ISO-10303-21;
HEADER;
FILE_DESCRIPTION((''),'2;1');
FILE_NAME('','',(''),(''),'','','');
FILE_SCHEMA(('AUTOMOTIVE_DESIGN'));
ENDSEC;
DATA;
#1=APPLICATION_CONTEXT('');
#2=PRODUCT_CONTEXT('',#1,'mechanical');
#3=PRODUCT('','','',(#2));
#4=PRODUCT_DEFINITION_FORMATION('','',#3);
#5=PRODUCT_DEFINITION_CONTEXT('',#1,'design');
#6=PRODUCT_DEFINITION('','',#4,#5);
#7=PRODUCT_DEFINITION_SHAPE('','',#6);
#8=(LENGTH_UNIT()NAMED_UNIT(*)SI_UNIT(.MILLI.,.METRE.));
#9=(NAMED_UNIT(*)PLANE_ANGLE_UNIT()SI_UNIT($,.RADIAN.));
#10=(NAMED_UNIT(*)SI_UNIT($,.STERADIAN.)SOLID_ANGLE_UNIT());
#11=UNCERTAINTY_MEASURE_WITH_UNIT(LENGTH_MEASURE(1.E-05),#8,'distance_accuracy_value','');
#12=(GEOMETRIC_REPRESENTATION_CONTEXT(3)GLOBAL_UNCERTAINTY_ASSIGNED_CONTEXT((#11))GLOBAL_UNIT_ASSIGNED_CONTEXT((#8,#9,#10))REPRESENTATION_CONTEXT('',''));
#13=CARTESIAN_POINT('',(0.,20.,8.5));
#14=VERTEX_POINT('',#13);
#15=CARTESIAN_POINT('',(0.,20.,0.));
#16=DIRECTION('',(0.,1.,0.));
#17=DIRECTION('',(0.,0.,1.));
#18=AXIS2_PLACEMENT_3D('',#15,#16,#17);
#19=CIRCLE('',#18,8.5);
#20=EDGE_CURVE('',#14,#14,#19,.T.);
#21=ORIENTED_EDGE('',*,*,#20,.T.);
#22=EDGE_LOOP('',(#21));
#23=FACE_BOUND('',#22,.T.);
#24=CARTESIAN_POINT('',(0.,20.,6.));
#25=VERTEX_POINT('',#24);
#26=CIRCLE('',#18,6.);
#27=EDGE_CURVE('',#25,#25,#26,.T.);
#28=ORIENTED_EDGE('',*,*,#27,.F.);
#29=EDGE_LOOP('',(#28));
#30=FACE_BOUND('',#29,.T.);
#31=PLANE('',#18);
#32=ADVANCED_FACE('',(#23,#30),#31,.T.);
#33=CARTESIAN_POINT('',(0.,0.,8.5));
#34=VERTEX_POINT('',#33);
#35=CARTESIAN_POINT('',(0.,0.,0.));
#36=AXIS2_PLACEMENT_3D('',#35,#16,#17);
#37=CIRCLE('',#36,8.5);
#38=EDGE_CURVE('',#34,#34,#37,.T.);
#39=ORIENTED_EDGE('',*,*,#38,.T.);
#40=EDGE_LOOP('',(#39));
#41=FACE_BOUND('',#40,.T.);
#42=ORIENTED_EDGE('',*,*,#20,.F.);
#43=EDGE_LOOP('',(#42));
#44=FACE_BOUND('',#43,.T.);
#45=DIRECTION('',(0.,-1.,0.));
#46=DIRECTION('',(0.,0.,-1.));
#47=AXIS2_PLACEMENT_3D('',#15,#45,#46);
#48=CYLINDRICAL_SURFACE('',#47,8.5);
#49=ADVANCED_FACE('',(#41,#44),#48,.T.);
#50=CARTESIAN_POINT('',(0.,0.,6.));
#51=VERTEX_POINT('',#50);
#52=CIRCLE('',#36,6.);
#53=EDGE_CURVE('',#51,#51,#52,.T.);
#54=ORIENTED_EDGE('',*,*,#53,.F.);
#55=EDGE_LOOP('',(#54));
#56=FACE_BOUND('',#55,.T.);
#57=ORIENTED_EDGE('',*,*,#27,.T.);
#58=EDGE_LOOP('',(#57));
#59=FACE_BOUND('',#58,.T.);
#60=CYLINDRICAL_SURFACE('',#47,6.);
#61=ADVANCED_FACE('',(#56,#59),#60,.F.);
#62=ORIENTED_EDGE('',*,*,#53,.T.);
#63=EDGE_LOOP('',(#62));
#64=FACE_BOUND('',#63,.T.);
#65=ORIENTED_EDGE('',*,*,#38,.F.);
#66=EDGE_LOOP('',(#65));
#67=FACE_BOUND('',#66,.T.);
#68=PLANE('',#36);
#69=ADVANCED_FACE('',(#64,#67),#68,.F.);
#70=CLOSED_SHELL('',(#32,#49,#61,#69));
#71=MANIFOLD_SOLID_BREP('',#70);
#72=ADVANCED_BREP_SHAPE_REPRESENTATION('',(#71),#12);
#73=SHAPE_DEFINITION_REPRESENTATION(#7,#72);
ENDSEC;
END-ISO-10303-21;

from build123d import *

# Parameters (mm, degrees)
SKETCH2_R           = 8.5
SKETCH2_R_2         = 6
BOSS_EXTRUDE1_DEPTH = 20


with BuildPart() as part:
    # Sketch2 → Boss-Extrude1 (new body)
    with BuildSketch(Plane(origin=(0, 0, 0), x_dir=(1, 0, 0), z_dir=(0, 1, 0))):
        with Locations(Location((0, 0, 0), (0, 0, 270))):
            Circle(SKETCH2_R)
        with Locations(Location((0, 0, 0), (0, 0, 270))):
            Circle(SKETCH2_R_2, mode=Mode.SUBTRACT)
    extrude(amount=BOSS_EXTRUDE1_DEPTH)


solid = part.part
